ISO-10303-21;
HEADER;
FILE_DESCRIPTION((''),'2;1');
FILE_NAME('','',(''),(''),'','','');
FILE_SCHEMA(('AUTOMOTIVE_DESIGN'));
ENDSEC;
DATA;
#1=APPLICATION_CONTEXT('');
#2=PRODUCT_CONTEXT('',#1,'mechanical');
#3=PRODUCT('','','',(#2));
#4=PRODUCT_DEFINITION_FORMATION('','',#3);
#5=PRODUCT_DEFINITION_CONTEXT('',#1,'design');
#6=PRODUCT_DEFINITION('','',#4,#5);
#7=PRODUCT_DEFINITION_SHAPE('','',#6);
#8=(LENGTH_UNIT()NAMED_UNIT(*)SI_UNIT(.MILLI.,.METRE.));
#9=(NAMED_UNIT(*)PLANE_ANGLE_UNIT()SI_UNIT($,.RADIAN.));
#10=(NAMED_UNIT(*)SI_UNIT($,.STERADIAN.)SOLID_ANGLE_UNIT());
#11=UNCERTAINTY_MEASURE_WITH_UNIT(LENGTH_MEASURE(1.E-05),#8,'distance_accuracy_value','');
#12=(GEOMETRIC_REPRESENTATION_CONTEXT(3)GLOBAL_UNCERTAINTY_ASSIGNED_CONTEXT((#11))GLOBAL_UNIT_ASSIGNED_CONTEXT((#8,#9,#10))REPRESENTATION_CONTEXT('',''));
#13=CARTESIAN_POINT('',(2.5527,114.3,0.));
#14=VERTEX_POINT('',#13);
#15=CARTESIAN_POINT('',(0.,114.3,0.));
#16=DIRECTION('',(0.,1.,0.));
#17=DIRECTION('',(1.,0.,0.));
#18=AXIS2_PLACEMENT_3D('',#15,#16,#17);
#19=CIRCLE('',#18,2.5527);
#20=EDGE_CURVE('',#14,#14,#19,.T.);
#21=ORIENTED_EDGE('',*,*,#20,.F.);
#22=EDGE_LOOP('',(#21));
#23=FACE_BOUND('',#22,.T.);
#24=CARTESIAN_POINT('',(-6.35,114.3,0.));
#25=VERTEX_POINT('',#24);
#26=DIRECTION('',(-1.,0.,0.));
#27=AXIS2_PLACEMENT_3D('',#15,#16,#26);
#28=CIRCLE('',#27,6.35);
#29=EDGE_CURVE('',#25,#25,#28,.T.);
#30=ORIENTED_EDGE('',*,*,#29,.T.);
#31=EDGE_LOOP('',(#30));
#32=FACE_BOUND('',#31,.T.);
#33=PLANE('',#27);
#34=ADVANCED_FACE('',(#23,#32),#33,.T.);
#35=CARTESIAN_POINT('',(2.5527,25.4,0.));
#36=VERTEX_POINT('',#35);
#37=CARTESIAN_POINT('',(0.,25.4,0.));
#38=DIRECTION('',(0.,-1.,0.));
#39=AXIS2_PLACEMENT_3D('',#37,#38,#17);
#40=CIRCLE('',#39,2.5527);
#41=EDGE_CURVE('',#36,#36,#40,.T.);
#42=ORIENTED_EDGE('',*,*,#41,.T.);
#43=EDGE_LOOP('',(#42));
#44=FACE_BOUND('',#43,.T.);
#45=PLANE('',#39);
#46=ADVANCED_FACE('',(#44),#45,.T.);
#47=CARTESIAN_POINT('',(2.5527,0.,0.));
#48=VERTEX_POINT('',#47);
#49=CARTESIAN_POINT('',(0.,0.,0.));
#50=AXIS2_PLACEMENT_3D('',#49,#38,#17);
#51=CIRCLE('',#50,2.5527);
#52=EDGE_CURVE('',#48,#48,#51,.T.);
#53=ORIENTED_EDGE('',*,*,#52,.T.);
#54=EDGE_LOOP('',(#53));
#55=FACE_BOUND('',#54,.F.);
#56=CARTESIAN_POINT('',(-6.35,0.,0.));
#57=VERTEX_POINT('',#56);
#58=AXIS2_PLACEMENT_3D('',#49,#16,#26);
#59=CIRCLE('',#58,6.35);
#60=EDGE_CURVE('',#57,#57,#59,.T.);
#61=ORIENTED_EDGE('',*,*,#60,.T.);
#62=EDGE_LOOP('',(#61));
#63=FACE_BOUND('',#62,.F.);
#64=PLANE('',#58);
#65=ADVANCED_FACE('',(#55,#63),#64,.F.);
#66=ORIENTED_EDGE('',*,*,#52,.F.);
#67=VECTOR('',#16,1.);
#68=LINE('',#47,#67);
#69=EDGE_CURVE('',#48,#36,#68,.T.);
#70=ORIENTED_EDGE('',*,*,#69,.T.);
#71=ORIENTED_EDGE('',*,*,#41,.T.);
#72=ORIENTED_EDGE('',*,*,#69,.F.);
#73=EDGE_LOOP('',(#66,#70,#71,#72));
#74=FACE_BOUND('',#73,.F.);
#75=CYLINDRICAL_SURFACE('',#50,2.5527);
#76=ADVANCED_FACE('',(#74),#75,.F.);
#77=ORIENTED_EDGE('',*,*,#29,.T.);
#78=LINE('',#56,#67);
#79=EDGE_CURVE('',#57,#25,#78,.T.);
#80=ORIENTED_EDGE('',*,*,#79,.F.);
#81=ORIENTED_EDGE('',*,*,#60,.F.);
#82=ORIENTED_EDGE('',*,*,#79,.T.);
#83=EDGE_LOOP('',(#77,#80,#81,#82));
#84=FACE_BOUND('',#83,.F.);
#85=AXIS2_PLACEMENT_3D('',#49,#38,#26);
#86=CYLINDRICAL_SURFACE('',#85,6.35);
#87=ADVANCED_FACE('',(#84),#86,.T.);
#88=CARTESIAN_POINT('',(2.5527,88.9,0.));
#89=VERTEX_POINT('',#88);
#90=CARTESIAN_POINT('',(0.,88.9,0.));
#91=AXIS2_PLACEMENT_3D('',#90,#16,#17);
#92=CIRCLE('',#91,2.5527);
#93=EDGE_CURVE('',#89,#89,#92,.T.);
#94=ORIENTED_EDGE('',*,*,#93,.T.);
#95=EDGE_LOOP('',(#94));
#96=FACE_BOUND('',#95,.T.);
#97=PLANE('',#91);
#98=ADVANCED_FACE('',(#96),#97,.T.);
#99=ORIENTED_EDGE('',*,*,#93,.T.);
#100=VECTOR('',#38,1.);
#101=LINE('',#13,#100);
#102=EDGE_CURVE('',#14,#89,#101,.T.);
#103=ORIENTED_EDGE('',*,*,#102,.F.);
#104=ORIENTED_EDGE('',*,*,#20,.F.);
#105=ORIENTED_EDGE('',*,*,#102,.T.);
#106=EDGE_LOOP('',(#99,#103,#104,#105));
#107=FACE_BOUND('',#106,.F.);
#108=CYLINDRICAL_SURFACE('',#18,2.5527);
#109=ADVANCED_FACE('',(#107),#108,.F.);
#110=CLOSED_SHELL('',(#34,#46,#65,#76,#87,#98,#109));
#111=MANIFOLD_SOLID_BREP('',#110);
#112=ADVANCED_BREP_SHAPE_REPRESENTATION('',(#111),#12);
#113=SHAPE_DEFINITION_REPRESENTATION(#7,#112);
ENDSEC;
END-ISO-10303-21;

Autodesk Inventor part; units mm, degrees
ref_plane "YZ Plane" through (0, 0, 0) normal (1, 0, 0) x (0, 1, 0)
ref_plane "XZ Plane" through (0, 0, 0) normal (0, 1, 0) x (-1, 0, 0)
ref_plane "XY Plane" through (0, 0, 0) normal (0, 0, 1) x (1, 0, 0)
sketch "Sketch1" plane through (0, 0, 0) normal (0, 1, 0) x (-1, 0, 0)
  circle A0 centre (0, 0) radius 6.35
  dimension "d0" = 12.7
extrude "Extrusion1" add sketch "Sketch1" along normal blind 114.3
sketch "Sketch2" plane through (0, 0, 0) normal (0, -1, 0) x (1, 0, 0)
  circle A0 centre (0, 0) radius 2.5527
  dimension "d3" = 5.1054
sketch "Sketch3" plane through (0, 114.3, 0) normal (0, 1, 0) x (1, 0, 0)
  circle A0 centre (0, 0) radius 2.5527
  dimension "d4" = 5.1054
extrude "Extrusion2" cut sketch "Sketch3" against normal blind 25.4
extrude "Extrusion3" cut sketch "Sketch2" against normal blind 25.4
properties part number "INDX_002_Standoff" material "Aluminum 6061"
